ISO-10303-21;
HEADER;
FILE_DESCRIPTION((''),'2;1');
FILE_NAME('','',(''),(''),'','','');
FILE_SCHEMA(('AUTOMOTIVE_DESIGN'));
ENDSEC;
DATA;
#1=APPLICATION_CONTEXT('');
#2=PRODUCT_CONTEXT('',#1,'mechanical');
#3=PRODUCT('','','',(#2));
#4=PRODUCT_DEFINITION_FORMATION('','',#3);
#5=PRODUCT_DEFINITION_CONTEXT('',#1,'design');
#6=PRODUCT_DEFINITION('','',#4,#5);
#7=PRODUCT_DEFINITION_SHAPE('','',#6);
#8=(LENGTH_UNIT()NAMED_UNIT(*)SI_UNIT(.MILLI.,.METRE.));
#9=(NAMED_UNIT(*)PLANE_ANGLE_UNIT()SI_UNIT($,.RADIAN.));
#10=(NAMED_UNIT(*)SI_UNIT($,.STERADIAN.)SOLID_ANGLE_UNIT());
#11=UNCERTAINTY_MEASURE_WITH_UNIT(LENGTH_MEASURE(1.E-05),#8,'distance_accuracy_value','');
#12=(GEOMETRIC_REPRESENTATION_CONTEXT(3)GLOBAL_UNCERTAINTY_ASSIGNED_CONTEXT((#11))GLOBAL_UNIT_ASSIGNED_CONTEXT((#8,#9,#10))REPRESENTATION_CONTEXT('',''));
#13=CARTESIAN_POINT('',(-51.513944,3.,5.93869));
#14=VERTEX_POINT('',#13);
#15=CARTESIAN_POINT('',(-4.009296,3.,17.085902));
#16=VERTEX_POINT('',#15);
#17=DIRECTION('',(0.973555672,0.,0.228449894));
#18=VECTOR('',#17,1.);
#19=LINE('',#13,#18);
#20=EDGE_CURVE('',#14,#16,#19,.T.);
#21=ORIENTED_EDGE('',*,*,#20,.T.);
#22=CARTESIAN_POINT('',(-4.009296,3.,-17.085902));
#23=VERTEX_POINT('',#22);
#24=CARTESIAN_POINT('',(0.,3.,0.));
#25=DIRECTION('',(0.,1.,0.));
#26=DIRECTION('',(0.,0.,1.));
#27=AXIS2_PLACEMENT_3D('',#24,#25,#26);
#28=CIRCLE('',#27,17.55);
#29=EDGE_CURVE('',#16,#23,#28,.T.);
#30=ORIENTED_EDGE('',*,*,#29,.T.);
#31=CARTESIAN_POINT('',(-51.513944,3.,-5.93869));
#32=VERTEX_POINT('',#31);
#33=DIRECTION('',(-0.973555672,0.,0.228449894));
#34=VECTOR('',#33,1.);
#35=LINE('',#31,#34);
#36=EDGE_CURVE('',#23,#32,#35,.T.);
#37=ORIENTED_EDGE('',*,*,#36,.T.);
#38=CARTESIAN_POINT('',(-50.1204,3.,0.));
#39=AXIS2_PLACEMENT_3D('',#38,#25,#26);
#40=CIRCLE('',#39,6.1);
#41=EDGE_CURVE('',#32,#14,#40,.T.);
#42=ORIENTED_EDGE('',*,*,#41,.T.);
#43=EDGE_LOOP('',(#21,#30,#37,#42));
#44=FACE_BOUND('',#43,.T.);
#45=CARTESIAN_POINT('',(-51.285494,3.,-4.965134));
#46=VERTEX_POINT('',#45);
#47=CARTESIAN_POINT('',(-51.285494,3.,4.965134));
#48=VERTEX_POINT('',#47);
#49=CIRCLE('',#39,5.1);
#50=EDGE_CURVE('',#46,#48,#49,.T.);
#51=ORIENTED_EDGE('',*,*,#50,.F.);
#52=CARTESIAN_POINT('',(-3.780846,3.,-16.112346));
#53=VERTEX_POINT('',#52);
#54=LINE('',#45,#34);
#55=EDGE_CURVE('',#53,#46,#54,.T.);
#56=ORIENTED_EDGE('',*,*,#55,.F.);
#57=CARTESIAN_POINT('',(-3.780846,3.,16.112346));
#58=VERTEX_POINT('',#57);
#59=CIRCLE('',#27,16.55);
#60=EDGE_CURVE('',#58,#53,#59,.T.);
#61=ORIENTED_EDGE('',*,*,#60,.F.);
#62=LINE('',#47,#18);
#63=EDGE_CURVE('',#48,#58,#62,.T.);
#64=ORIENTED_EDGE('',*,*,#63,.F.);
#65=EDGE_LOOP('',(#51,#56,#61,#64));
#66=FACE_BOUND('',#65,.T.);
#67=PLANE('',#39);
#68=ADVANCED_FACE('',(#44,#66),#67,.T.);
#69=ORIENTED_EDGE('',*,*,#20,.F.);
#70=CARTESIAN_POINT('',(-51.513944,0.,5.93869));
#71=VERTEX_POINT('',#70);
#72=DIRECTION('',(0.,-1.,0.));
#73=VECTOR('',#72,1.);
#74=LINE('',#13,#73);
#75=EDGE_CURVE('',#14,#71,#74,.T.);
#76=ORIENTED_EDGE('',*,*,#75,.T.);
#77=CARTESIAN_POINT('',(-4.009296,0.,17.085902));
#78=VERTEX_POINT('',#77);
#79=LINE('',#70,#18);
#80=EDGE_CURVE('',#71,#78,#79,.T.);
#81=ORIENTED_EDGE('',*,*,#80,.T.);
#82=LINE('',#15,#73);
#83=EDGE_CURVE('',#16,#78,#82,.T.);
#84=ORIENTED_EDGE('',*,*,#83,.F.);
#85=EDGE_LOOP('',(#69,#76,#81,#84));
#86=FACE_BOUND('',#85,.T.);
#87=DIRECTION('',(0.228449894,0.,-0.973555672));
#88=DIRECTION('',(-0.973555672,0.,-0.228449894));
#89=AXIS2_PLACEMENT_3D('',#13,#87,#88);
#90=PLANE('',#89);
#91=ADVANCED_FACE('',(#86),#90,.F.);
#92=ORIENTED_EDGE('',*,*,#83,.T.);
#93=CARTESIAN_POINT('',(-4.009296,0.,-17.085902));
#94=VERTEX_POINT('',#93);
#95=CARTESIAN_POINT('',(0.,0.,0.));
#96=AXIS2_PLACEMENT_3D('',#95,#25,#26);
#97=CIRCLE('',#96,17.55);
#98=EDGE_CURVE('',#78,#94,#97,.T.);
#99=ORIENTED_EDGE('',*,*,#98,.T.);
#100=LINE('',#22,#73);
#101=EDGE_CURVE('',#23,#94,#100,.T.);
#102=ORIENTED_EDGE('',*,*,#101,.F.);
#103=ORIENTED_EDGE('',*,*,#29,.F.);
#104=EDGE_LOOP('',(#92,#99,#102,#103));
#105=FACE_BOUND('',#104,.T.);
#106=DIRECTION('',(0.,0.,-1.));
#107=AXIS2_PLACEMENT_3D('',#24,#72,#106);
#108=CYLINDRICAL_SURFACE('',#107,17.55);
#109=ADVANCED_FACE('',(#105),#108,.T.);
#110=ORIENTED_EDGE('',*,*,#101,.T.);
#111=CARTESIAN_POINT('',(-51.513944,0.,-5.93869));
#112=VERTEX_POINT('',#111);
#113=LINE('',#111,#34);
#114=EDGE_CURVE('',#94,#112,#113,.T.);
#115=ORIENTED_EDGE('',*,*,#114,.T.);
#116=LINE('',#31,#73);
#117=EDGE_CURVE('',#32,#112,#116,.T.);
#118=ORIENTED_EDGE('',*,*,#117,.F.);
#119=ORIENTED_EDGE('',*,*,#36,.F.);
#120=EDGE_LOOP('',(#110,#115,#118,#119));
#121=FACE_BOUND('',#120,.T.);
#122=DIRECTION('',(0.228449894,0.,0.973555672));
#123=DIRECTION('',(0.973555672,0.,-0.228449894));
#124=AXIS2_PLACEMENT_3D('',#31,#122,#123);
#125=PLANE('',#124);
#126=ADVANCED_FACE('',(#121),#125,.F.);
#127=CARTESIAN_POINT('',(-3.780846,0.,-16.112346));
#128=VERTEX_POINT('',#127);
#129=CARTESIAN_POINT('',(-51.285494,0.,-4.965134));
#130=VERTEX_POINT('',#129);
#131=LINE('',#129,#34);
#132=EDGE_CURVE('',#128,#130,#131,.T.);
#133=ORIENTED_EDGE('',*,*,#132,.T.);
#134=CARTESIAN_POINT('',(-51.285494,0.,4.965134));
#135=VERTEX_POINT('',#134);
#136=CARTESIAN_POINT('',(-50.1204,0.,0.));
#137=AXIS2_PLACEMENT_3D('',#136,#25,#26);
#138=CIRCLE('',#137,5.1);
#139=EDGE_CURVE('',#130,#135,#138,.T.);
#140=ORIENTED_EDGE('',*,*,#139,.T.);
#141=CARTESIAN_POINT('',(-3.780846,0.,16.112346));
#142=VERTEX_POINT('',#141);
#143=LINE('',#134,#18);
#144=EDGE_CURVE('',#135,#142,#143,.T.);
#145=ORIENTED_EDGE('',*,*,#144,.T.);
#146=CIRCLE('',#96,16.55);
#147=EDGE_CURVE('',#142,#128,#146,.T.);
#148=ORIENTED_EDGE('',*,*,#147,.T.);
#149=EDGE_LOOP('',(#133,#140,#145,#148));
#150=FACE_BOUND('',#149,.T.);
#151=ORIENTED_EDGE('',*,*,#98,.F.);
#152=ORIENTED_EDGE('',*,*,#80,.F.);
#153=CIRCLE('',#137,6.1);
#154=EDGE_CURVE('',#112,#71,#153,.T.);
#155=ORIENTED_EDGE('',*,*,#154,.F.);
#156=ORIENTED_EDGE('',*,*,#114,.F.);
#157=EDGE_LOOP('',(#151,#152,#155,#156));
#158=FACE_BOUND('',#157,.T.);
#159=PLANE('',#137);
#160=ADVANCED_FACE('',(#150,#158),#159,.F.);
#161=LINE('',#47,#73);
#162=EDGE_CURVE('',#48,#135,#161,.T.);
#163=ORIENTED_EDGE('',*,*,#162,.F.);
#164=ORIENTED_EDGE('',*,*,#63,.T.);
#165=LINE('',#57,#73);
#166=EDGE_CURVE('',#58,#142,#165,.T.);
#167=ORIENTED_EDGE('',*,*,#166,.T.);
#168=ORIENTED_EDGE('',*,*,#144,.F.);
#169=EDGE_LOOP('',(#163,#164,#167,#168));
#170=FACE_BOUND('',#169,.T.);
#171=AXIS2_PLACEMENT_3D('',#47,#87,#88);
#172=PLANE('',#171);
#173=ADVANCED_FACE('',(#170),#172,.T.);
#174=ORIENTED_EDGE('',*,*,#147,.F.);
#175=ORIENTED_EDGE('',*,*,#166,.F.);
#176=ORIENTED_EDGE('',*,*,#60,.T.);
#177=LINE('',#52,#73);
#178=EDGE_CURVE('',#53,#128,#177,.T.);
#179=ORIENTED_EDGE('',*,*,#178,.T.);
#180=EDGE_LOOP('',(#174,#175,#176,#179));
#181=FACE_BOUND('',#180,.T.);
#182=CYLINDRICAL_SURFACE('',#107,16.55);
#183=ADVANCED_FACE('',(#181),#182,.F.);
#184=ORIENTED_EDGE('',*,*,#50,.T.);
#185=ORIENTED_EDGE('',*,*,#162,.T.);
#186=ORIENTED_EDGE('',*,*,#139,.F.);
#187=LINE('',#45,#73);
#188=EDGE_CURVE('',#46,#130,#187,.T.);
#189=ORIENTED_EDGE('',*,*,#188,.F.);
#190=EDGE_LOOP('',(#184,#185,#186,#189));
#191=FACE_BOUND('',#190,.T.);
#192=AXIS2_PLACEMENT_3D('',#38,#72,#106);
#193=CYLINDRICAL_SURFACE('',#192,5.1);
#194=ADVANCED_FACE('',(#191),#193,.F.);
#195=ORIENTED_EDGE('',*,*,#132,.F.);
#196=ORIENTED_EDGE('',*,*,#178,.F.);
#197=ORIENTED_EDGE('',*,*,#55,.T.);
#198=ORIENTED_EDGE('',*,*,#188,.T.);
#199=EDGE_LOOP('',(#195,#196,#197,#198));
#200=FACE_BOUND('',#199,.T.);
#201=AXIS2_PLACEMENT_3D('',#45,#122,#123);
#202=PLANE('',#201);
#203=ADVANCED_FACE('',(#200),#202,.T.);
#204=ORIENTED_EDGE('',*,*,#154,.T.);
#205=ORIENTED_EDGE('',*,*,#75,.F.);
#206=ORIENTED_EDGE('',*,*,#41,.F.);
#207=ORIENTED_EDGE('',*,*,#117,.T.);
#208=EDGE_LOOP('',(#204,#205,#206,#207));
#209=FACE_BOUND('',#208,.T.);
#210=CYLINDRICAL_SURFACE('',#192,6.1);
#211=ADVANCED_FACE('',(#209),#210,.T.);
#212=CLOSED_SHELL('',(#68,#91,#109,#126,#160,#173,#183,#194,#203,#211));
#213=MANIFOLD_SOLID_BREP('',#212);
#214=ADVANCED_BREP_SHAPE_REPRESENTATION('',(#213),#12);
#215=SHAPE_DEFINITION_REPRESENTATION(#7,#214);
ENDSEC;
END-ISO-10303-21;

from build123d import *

# Parameters (mm, degrees)
BOSS_EXTRUDE1_DEPTH = 3


with BuildPart() as part:
    # Sketch1 → Boss-Extrude1 (new body)
    with BuildSketch(Plane(origin=(0, 0, 0), x_dir=(1, 0, 0), z_dir=(0, 1, 0))):
        with BuildLine():
            Line((-51.513944323, 5.938689559), (-4.009295632, 17.085902041))
            ThreePointArc((-4.009295632, 17.085902041), (17.55, 0), (-4.009295632, -17.085902041))
            Line((-4.009295632, -17.085902041), (-51.513944323, -5.938689559))
            ThreePointArc((-51.513944323, -5.938689559), (-56.220399942, 0), (-51.513944323, 5.938689559))
        make_face()
        with BuildLine():
            Line((-51.28549443, 4.965133887), (-3.780845738, 16.112346369))
            ThreePointArc((-3.780845738, 16.112346369), (16.55, 0), (-3.780845738, -16.112346369))
            Line((-3.780845738, -16.112346369), (-51.28549443, -4.965133887))
            ThreePointArc((-51.28549443, -4.965133887), (-55.220399942, 0), (-51.28549443, 4.965133887))
        make_face(mode=Mode.SUBTRACT)
    extrude(amount=BOSS_EXTRUDE1_DEPTH)


solid = part.part
